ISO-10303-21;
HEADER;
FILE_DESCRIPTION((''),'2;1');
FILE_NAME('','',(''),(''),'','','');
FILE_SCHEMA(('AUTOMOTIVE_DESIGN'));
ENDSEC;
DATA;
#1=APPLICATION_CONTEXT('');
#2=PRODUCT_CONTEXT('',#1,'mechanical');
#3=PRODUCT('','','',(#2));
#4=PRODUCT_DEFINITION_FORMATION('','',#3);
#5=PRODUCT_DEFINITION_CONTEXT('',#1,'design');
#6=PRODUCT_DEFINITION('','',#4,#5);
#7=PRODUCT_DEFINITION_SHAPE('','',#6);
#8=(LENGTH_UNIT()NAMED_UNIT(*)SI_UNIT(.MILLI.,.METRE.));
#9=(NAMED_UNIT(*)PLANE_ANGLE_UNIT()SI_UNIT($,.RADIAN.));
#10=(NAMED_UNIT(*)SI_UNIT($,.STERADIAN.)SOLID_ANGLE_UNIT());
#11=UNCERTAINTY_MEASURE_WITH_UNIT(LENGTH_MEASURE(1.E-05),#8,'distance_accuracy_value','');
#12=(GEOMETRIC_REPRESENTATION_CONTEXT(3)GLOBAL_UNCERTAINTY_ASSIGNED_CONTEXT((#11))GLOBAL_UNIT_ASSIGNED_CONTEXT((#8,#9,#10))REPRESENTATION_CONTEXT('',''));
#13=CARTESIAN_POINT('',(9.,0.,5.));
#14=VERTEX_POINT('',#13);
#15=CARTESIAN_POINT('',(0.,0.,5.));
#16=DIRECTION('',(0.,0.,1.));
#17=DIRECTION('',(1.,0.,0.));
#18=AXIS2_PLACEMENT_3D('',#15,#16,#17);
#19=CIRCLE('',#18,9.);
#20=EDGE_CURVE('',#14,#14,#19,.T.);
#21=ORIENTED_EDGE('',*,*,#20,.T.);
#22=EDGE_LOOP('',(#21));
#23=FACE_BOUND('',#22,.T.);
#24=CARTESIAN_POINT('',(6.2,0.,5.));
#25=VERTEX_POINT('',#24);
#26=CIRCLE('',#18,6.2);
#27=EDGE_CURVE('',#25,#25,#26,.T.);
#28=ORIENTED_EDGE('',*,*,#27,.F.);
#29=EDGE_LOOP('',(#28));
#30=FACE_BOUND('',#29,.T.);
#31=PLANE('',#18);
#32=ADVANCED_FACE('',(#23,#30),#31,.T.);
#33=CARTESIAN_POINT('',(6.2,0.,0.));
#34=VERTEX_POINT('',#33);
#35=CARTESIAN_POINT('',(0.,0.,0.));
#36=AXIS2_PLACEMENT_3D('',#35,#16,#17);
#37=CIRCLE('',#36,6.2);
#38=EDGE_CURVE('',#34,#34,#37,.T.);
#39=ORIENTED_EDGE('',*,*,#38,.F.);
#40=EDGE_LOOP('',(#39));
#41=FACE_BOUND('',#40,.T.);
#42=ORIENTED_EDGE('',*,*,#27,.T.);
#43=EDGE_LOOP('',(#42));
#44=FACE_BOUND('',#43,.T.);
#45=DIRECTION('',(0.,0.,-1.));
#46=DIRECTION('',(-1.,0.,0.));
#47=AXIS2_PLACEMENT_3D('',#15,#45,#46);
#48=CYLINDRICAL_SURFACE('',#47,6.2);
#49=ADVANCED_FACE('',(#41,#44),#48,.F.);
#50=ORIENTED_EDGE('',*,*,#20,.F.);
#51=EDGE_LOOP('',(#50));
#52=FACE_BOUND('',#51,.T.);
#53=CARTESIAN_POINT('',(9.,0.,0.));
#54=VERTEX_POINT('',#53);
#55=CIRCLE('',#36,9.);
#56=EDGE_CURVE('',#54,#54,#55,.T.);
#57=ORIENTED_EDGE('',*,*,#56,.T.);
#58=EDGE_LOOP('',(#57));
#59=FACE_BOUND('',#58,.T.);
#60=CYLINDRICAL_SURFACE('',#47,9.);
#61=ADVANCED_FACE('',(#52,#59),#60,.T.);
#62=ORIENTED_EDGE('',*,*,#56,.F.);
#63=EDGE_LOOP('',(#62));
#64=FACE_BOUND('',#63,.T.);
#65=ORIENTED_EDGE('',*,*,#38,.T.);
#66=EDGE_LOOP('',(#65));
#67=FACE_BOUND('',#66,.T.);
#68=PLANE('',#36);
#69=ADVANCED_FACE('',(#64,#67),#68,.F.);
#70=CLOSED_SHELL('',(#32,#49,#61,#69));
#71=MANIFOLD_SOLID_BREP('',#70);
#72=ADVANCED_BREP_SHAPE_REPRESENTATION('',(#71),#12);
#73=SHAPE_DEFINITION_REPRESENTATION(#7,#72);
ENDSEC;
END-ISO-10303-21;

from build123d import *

# Parameters (mm, degrees)
SKETCH1_R           = 9
SKETCH1_R_2         = 6.2
BOSS_EXTRUDE1_DEPTH = 5


with BuildPart() as part:
    # Sketch1 → Boss-Extrude1 (new body)
    with BuildSketch(Plane.XY):
        Circle(SKETCH1_R)
        Circle(SKETCH1_R_2, mode=Mode.SUBTRACT)
    extrude(amount=BOSS_EXTRUDE1_DEPTH)


solid = part.part
